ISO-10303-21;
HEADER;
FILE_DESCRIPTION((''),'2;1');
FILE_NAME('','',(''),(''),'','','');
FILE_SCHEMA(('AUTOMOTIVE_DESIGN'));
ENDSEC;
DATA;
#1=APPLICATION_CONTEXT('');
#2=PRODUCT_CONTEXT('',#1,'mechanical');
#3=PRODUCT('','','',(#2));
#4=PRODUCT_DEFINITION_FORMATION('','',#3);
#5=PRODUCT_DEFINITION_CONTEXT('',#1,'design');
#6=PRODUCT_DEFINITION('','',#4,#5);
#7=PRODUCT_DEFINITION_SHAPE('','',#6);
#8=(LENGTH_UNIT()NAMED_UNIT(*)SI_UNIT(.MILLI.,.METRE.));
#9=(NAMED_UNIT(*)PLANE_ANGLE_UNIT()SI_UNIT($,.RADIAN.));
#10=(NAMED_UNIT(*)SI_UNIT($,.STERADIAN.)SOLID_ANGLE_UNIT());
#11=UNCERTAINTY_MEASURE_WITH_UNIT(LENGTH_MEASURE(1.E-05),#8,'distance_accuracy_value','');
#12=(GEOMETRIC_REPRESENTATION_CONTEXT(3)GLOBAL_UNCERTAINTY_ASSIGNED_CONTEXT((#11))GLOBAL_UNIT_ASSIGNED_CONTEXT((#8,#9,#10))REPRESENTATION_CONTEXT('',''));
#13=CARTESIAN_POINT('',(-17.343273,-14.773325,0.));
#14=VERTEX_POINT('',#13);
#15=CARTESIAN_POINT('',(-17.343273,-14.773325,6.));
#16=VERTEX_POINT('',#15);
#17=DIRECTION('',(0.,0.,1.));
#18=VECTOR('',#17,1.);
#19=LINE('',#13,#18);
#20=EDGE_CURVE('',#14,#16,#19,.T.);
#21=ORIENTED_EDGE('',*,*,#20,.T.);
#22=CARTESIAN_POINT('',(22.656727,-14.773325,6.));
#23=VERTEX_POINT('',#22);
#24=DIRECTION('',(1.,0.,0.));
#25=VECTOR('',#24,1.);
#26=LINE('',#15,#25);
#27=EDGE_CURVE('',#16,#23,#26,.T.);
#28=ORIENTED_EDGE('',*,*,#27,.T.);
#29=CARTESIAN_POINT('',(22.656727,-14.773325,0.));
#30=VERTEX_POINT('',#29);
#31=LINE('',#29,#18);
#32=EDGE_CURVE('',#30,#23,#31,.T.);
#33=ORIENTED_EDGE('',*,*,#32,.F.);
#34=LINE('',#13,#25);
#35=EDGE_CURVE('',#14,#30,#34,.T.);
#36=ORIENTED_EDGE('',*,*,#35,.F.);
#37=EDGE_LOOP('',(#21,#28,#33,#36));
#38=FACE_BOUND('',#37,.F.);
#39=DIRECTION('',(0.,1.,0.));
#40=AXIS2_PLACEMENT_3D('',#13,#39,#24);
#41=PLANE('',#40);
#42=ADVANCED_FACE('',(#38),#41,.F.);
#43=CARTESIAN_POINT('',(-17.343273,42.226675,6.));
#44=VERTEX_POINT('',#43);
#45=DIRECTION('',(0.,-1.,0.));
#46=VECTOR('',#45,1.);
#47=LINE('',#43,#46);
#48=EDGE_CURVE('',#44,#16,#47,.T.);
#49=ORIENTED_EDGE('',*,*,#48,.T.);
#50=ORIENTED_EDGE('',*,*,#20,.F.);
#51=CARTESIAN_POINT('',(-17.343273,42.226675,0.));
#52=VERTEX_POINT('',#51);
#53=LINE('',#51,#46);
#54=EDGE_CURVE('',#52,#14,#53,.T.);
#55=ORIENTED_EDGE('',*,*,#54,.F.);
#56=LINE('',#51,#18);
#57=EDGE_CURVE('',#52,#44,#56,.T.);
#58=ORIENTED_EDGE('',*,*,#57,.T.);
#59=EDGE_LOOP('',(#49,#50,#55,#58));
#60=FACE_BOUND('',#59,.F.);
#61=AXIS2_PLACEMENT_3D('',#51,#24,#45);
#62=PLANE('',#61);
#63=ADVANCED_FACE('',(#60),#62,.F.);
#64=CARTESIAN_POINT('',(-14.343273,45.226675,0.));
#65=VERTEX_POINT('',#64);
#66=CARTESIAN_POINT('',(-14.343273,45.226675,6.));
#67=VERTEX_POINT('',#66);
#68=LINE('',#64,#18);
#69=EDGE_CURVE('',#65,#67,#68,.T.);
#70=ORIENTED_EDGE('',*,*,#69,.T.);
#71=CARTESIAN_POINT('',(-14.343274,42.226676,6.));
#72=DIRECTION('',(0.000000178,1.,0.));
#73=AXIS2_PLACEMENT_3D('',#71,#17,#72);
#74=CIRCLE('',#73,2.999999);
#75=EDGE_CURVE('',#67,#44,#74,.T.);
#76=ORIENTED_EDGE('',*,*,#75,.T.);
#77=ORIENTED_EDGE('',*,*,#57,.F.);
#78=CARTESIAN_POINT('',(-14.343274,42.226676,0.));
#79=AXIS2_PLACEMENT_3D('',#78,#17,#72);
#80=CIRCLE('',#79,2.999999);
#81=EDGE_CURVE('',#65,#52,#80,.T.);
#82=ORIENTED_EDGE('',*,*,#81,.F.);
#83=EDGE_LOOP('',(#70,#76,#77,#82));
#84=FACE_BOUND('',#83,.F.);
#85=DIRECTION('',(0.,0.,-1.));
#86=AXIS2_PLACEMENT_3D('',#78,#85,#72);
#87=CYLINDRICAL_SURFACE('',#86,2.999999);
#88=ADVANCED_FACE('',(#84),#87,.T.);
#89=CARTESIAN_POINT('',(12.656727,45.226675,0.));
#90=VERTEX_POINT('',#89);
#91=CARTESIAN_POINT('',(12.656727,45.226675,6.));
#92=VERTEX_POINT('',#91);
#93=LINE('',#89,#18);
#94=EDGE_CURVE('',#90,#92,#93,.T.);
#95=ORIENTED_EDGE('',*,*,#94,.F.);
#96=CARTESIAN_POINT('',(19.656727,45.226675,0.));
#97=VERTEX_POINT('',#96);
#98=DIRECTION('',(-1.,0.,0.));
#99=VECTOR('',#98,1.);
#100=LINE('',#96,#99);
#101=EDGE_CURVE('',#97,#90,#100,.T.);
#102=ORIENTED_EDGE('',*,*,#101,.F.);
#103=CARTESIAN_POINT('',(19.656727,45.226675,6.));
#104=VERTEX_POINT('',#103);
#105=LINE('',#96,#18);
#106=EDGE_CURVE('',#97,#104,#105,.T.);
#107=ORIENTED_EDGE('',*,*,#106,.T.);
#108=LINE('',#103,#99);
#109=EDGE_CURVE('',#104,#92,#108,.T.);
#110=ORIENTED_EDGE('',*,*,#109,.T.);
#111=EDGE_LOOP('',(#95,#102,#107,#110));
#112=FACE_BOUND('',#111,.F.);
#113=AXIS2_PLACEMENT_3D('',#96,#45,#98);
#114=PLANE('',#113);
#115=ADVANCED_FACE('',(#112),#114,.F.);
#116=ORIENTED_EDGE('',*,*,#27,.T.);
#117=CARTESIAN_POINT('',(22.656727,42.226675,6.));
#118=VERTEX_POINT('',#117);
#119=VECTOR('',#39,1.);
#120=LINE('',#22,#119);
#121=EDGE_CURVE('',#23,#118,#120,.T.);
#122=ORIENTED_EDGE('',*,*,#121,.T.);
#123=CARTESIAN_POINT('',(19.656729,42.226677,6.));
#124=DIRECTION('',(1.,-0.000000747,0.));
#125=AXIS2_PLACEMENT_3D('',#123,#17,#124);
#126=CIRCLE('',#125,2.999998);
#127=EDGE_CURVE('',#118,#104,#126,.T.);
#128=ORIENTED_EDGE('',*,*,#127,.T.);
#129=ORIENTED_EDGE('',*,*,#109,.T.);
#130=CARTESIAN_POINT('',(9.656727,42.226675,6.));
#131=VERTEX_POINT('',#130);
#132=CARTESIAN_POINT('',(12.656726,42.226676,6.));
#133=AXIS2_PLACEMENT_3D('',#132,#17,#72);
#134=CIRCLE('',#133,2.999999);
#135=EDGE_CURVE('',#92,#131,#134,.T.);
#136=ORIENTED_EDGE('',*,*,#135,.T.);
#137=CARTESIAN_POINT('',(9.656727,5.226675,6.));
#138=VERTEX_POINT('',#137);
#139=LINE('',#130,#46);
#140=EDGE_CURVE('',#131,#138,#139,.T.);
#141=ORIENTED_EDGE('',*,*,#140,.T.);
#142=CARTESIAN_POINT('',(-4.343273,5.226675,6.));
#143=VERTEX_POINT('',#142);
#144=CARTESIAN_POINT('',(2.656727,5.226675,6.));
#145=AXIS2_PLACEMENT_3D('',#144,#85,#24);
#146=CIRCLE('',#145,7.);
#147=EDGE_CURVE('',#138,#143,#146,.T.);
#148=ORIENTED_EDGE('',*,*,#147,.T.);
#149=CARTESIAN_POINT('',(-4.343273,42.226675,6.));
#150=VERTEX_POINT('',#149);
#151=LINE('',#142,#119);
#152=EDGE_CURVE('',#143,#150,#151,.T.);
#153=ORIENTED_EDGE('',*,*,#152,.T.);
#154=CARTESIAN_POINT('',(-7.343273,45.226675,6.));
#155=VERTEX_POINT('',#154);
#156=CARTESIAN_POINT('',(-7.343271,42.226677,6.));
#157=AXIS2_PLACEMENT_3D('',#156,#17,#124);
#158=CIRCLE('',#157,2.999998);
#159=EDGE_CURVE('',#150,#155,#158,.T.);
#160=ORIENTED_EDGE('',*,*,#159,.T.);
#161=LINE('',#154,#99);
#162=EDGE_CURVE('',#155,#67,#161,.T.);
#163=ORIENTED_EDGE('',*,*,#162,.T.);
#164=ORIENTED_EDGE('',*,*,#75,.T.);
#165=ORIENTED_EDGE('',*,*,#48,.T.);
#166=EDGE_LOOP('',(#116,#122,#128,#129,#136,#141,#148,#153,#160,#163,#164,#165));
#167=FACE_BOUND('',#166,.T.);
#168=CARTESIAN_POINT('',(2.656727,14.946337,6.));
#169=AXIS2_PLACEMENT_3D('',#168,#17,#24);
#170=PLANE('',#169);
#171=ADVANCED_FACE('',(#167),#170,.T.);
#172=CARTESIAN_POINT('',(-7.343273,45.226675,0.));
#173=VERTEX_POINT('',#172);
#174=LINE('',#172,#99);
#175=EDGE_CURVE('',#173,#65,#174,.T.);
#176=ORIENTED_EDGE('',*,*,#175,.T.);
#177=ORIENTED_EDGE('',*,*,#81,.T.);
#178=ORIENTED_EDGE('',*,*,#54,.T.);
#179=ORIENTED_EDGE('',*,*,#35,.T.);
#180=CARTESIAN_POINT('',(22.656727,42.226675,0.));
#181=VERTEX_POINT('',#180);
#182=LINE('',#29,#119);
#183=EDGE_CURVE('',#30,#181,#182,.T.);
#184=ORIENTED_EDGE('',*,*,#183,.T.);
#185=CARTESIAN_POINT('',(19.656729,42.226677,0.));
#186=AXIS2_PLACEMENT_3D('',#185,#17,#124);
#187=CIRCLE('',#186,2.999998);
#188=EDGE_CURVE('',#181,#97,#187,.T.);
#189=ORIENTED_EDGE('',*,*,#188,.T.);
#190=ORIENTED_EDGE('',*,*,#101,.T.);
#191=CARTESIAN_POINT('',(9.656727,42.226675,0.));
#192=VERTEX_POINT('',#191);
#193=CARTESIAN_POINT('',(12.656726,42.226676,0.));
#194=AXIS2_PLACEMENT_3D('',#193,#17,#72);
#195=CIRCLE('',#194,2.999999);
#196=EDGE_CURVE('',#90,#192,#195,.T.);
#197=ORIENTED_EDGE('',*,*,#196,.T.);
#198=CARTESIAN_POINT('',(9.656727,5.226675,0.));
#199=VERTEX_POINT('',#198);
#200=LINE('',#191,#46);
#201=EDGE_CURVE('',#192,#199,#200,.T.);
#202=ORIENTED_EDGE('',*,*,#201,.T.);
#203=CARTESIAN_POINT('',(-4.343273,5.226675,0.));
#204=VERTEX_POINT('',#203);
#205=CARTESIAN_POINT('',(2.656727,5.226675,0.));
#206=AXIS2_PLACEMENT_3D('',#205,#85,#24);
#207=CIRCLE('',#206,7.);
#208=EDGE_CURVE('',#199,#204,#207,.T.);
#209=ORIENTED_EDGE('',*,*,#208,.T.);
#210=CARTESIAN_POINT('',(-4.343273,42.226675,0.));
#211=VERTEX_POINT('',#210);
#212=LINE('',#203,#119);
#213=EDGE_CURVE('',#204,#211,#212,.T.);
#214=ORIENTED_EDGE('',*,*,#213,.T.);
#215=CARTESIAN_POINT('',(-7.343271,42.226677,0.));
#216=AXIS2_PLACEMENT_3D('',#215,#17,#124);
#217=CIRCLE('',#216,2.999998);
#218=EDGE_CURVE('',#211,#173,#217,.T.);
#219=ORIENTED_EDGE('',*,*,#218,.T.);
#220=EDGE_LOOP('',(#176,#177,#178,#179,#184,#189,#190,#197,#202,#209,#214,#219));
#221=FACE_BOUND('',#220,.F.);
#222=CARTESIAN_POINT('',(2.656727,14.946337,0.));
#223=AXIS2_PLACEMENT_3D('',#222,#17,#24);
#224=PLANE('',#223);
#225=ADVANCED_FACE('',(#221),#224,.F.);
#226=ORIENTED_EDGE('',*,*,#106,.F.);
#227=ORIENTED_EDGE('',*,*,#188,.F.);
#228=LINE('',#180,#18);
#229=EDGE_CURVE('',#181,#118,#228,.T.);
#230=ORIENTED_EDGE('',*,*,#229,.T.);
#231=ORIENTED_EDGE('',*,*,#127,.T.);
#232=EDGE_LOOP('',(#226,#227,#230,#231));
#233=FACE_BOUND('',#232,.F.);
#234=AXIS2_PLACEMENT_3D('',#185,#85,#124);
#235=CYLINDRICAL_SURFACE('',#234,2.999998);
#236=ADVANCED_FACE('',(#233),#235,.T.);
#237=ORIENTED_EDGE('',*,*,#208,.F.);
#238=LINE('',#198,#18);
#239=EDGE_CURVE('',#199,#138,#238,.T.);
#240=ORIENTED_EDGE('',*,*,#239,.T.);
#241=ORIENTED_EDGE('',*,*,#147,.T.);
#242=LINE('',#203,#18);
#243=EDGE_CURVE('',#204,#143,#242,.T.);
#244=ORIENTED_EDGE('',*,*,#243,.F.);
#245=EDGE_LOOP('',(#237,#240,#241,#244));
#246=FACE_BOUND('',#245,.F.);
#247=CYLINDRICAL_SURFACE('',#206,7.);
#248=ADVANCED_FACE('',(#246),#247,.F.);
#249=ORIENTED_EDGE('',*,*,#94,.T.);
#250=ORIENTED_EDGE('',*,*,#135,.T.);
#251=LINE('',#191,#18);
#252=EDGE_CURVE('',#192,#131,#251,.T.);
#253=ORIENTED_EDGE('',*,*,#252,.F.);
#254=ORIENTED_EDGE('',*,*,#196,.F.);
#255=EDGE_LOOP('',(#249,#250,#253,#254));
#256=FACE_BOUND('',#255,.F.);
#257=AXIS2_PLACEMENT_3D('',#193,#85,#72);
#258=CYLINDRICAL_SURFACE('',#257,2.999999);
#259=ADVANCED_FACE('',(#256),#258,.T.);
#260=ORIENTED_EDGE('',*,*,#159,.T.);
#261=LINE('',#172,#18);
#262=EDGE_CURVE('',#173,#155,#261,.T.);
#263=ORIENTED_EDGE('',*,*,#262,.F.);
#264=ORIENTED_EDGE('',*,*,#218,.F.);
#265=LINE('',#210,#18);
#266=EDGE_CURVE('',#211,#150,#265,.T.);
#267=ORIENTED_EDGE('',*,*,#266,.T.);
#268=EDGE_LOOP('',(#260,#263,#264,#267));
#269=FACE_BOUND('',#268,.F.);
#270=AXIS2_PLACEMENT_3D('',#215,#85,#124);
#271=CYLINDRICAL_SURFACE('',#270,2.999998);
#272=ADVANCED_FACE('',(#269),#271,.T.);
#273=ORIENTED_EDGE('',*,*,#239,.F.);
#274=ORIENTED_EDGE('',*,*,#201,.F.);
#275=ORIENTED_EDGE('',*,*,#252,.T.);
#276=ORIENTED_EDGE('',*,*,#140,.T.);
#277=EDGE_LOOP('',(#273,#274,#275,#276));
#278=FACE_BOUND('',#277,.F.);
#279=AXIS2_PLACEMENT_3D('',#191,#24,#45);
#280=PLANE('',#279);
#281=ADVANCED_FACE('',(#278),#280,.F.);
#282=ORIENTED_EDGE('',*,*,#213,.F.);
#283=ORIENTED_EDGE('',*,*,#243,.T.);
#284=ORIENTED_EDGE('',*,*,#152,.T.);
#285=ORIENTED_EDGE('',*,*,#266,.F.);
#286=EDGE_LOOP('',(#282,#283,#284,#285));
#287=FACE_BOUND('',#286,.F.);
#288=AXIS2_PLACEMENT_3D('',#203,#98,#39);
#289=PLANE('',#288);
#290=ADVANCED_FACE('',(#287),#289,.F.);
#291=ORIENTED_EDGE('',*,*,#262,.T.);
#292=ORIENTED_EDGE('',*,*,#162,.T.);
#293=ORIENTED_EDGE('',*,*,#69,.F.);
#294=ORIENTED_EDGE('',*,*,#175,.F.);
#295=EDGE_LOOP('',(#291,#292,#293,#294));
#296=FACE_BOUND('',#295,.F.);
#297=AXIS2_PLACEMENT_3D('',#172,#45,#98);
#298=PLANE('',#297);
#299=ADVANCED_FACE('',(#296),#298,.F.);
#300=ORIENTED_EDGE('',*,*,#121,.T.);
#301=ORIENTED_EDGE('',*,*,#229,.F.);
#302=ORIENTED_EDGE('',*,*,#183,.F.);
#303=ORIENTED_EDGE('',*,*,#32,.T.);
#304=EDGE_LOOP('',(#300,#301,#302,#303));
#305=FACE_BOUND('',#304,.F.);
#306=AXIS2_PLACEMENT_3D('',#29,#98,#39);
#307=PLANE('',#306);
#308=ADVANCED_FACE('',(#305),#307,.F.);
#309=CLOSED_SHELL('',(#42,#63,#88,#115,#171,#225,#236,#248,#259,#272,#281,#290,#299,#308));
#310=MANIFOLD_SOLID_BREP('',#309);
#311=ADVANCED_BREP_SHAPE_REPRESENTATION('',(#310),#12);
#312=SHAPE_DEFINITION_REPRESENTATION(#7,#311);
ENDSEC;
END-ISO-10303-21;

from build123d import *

# Parameters (mm, degrees)
F1_DEPTH = 6


with BuildPart() as f1:
    # F0 (on Top) → F1 (new body)
    with BuildSketch(Plane.XY):
        with BuildLine():
            Line((-17.343273, -14.773325), (22.656727, -14.773325))
            Line((22.656727, -14.773325), (22.656727, 42.226675))
            ThreePointArc((22.656727, 42.226675), (21.778048, 44.347996), (19.656727, 45.226675))
            Line((19.656727, 45.226675), (12.656727, 45.226675))
            ThreePointArc((12.656727, 45.226675), (10.535407, 44.347996), (9.656727, 42.226675))
            Line((9.656727, 42.226675), (9.656727, 5.226675))
            ThreePointArc((9.656727, 5.226675), (2.656727, -1.773325), (-4.343273, 5.226675))
            Line((-4.343273, 5.226675), (-4.343273, 42.226675))
            ThreePointArc((-4.343273, 42.226675), (-5.221952, 44.347996), (-7.343273, 45.226675))
            Line((-7.343273, 45.226675), (-14.343273, 45.226675))
            ThreePointArc((-14.343273, 45.226675), (-16.464593, 44.347996), (-17.343273, 42.226675))
            Line((-17.343273, 42.226675), (-17.343273, -14.773325))
        make_face()
    extrude(amount=F1_DEPTH)


solid = f1.part
